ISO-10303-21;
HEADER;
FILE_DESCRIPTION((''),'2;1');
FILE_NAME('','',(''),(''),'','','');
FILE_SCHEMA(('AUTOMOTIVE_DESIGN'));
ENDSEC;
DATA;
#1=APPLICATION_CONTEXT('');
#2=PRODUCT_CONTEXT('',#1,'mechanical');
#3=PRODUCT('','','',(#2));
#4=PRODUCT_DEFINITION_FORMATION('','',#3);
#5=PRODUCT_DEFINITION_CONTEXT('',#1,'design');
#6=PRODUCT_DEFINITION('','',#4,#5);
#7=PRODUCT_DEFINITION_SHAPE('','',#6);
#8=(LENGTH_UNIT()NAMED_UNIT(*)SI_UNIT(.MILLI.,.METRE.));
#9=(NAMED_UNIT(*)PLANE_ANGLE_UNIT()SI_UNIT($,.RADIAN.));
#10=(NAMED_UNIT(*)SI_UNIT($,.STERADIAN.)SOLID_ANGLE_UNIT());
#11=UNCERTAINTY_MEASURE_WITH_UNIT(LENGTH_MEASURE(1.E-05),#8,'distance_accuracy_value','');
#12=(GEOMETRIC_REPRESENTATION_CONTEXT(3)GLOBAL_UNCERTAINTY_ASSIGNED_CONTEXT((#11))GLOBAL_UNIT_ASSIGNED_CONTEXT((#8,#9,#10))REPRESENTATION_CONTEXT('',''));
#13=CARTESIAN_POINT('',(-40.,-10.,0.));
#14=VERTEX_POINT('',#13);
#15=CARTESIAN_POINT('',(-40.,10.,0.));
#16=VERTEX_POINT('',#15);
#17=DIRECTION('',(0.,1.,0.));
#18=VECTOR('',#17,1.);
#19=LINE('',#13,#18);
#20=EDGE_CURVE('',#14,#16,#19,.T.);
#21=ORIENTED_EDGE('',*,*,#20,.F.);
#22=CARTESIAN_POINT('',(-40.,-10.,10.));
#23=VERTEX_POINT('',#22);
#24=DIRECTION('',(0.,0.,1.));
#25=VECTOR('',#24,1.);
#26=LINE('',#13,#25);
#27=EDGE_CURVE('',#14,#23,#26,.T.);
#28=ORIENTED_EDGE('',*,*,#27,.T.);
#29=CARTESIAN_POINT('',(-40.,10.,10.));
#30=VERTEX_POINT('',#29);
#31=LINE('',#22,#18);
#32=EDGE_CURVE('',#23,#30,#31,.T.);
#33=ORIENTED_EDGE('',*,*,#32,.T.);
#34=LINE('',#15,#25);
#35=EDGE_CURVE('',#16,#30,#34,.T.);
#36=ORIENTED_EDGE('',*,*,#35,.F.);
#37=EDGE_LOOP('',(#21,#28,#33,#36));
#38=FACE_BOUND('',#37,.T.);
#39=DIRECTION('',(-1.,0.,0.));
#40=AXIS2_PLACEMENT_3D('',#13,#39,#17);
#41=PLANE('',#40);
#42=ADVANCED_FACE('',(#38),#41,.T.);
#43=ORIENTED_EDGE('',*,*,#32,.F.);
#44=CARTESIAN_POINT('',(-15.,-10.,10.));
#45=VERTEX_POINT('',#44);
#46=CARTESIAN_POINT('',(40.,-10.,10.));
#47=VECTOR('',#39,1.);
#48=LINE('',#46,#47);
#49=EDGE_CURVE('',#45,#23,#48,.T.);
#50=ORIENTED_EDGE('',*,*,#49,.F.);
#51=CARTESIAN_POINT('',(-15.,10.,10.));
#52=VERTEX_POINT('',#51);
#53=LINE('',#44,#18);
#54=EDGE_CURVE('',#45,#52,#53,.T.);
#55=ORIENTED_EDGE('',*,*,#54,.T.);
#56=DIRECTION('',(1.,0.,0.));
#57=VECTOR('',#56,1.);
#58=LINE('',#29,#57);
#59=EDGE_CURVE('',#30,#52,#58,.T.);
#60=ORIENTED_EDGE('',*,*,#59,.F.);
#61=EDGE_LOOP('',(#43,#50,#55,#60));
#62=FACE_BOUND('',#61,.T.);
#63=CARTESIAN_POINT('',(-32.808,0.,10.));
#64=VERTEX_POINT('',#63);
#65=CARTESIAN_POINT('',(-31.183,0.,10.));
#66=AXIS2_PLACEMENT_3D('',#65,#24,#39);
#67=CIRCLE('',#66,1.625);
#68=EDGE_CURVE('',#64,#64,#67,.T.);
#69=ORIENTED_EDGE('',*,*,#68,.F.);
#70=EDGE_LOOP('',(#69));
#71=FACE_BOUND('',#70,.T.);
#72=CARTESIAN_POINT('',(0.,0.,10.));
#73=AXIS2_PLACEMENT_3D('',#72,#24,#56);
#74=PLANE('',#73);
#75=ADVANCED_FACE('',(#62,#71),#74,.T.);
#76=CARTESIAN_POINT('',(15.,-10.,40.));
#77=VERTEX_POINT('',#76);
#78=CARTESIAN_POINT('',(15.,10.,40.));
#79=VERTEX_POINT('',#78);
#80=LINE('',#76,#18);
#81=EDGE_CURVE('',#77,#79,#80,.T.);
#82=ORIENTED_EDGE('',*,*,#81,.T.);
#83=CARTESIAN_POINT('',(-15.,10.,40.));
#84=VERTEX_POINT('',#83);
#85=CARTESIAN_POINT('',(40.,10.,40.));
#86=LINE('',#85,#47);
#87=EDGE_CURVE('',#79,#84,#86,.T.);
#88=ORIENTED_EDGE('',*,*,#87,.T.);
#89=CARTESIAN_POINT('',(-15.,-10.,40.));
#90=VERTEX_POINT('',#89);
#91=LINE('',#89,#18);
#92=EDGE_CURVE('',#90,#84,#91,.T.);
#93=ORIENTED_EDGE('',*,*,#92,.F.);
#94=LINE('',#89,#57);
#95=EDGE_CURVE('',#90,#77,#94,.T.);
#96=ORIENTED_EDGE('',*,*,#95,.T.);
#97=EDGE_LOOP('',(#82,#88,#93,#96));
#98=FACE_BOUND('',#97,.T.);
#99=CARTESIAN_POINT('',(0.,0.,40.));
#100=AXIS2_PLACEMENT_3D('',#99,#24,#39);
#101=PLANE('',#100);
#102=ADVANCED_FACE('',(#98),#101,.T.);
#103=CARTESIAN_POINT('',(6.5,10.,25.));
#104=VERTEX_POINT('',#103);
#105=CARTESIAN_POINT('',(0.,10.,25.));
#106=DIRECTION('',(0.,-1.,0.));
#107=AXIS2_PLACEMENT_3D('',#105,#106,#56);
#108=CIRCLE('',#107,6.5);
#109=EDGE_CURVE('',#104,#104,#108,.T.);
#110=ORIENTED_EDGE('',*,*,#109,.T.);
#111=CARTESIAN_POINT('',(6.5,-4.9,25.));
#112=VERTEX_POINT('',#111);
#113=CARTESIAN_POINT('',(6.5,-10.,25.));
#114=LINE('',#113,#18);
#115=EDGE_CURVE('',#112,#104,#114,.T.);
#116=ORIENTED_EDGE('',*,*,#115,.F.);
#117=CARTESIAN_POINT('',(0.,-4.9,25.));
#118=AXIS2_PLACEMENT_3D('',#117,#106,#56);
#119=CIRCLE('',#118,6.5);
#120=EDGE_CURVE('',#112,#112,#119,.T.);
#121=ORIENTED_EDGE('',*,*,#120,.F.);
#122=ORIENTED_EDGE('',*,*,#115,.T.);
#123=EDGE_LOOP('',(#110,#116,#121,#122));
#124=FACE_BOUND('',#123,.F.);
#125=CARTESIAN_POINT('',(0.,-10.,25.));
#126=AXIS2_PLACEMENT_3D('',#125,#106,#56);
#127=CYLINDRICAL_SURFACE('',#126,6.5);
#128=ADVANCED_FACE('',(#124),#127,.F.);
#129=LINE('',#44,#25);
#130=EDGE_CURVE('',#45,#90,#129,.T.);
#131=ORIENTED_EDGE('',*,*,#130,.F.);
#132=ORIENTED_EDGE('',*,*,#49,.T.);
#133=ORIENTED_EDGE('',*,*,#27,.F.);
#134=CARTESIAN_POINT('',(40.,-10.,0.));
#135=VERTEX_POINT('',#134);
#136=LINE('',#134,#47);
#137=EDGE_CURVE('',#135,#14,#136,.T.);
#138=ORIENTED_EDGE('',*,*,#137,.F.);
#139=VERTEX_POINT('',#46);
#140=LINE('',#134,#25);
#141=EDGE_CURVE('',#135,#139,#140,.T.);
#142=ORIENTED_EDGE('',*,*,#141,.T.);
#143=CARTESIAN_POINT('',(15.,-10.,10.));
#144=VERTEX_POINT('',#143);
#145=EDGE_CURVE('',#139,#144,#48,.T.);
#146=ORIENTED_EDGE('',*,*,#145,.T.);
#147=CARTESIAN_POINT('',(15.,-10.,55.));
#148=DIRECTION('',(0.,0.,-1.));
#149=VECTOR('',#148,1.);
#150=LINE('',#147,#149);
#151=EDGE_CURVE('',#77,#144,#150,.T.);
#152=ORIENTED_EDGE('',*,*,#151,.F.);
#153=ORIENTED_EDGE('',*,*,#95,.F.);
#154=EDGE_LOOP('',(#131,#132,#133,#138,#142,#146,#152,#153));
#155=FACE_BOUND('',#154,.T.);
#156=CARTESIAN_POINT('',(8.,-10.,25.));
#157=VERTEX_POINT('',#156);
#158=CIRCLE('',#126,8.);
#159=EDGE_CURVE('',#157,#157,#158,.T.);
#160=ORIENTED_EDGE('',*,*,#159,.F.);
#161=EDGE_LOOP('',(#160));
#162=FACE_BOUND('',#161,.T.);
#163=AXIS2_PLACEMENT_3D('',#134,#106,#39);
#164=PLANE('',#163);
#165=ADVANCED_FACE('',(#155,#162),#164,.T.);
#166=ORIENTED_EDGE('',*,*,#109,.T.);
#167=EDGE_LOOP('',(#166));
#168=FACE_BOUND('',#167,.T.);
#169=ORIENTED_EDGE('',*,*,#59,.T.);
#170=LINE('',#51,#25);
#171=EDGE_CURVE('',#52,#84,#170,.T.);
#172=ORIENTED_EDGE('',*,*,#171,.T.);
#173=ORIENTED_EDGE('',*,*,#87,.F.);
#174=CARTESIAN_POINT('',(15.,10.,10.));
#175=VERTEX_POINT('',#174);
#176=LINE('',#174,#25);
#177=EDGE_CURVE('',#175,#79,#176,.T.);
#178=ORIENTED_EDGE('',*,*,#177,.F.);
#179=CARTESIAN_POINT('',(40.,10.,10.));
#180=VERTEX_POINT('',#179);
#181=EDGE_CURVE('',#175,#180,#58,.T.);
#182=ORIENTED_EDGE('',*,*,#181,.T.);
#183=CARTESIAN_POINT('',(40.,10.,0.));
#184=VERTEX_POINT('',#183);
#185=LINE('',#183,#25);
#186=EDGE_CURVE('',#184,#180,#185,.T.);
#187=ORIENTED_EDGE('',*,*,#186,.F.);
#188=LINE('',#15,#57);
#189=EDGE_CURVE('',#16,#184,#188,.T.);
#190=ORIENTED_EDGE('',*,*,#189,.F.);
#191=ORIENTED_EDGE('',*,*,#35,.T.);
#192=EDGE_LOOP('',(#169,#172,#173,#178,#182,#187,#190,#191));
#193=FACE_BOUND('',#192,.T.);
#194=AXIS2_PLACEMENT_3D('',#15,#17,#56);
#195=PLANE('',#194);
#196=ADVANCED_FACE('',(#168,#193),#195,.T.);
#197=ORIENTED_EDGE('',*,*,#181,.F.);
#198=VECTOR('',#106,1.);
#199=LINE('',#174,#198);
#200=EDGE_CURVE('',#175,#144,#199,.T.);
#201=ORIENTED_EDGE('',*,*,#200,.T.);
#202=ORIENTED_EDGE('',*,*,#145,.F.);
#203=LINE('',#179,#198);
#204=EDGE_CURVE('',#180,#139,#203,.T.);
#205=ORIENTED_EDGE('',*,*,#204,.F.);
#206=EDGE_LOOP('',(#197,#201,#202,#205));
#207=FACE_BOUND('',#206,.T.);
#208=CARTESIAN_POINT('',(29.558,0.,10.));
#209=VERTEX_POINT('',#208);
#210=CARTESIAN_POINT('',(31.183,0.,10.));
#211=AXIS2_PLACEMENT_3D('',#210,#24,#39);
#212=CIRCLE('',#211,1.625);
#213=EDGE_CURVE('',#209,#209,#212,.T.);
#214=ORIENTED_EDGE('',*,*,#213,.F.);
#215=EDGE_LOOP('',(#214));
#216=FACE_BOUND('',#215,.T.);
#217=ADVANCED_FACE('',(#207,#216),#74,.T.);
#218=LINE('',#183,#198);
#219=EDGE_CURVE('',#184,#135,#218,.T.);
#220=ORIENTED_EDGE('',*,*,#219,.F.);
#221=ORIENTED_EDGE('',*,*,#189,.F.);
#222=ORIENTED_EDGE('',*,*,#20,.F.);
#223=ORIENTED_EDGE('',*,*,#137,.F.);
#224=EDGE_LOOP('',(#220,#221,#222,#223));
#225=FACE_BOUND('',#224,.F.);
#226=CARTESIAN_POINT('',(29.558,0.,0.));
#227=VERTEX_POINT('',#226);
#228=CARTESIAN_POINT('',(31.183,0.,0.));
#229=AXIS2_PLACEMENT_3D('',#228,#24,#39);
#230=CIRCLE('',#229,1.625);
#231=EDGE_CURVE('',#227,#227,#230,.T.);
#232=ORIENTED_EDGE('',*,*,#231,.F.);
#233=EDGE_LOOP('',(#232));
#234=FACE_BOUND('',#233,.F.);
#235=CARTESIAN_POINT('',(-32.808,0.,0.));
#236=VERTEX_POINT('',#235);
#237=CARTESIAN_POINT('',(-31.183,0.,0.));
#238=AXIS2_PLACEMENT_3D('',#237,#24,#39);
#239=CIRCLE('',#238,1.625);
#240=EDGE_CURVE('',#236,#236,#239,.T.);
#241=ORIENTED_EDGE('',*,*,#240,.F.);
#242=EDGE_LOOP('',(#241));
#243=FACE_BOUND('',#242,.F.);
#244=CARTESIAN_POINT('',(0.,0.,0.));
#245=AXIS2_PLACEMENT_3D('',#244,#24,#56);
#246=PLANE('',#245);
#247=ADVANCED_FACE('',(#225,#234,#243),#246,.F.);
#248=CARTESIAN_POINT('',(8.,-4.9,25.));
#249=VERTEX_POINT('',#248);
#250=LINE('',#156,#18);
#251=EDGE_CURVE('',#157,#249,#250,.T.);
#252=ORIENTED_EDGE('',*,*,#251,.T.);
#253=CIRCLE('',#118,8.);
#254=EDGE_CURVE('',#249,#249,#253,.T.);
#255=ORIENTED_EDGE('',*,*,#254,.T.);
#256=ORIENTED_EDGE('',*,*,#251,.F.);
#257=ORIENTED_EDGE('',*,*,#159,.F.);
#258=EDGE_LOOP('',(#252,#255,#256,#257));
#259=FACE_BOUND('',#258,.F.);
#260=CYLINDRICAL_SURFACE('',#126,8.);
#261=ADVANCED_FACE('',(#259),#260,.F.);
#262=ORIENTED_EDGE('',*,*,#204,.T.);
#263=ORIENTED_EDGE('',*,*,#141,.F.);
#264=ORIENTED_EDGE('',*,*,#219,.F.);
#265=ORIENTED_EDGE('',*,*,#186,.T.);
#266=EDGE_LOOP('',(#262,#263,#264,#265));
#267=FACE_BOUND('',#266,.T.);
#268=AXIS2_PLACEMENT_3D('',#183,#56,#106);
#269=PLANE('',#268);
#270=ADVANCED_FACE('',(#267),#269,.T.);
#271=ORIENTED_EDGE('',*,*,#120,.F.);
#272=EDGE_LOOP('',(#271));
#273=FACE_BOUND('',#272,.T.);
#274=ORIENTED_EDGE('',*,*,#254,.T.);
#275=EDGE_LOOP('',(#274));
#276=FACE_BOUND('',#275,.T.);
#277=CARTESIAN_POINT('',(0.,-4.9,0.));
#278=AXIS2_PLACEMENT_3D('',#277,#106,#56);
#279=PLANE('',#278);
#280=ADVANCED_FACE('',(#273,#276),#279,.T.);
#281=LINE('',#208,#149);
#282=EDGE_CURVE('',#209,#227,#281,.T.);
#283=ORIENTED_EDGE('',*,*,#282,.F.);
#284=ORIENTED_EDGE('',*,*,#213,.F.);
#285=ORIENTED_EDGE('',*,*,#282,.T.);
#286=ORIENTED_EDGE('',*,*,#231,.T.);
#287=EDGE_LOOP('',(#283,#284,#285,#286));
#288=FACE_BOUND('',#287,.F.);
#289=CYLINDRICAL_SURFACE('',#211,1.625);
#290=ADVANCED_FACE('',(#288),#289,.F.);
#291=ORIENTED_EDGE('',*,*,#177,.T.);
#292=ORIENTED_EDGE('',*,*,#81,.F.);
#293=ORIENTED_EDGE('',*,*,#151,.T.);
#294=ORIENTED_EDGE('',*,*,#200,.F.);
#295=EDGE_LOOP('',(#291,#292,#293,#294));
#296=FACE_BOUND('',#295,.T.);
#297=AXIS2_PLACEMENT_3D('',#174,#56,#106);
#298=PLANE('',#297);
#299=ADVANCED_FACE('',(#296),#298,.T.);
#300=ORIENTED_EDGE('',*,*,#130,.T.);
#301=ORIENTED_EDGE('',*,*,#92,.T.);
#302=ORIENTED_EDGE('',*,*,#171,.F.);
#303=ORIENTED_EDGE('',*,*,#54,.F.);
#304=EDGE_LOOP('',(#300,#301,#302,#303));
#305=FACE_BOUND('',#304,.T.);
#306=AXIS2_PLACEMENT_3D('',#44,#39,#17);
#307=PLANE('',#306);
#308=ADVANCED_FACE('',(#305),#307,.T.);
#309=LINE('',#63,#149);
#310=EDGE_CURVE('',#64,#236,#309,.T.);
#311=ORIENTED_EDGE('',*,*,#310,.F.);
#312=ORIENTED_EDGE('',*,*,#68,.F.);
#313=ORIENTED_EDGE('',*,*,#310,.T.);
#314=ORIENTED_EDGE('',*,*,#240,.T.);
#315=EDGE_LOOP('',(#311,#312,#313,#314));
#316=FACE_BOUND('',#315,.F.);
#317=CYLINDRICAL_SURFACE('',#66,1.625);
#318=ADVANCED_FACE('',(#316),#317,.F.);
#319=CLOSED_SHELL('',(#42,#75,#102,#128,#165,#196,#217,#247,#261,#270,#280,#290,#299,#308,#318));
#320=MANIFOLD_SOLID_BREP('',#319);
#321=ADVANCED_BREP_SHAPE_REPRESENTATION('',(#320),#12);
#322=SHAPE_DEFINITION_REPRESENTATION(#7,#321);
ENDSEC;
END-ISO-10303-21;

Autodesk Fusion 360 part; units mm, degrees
sketch "Esquisse1" plane through (0, 0, 0) normal (0, 0, 1) x (1, 0, 0)
  line L0 (-40, 10) -> (40, 10)
  line L1 (40, 10) -> (40, -10)
  line L2 (40, -10) -> (-40, -10)
  line L3 (-40, -10) -> (-40, 10)
extrude "Extrusion1" add sketch "Esquisse1" along normal blind 10
sketch "Esquisse2" plane through (0, 0, 10) normal (0, 0, 1) x (-1, 0, 0)
  line L0 (40, 10) -> (-40, 10)
  line L1 (-40, 10) -> (-40, -10)
  line L2 (-40, -10) -> (40, -10)
  line L3 (40, -10) -> (40, 10)
  line L4 (15, -10) -> (-15, -10)
  line L5 (-15, -10) -> (-15, 10)
  line L6 (-15, 10) -> (15, 10)
  line L7 (15, 10) -> (15, -10)
  circle A0 centre (-31.183, 0) radius 1.625
  circle A1 centre (31.183, 0) radius 1.625
  dimension "d7" = 3.25
  dimension "d8" = 3.25
extrude "Extrusion2" cut sketch "Esquisse2" against normal blind 10 contours A1
extrude "Extrusion3" cut sketch "Esquisse2" against normal blind 10 contours A0
extrude "Extrusion4" add sketch "Esquisse2" along normal blind 30 contours L0 L2 L4 L5 L6 L7
sketch "Esquisse3" plane through (0, -10, 0) normal (0, -1, 0) x (1, 0, 0)
  line L0 (-40, 0) -> (40, 0)
  line L1 (40, 0) -> (40, 10)
  line L2 (40, 10) -> (15, 10)
  line L3 (15, 10) -> (15, 40)
  line L4 (15, 40) -> (-15, 40)
  line L5 (-15, 40) -> (-15, 10)
  line L6 (-15, 10) -> (-40, 10)
  line L7 (-40, 10) -> (-40, 0)
  circle A0 centre (0, 25) radius 6.5
  circle A1 centre (0, 25) radius 8
  dimension "d15" = 13
  dimension "d16" = 16
extrude "Extrusion5" cut sketch "Esquisse3" against normal blind 20 contours A0
extrude "Extrusion6" cut sketch "Esquisse3" against normal blind 5.1 contours A1
sketch "Esquisse4" plane through (0, 0, 40) normal (0, 0, 1) x (-1, 0, 0)
  line L0 (15, 10) -> (-15, 10)
  line L1 (-15, 10) -> (-15, -10)
  line L2 (-15, -10) -> (15, -10)
  line L3 (15, -10) -> (15, 10)
  line L4 (15, 10) -> (10, 10)
  line L5 (10, 10) -> (10, -5)
  line L6 (10, -5) -> (15, -5)
  line L7 (15, -5) -> (15, 10)
  line L8 (-15, 10) -> (-10, 10)
  line L9 (-10, 10) -> (-10, -5)
  line L10 (-10, -5) -> (-15, -5)
  line L11 (-15, -5) -> (-15, 10)
extrude "Extrusion7" add sketch "Esquisse4" along normal blind 10 contours L0 L3 L4 L5 L6 L7 | L0 L1 L8 L9 L10 L11
sketch "Esquisse5" plane through (0, 0, 50) normal (0, 0, 1) x (-1, 0, 0)
  line L0 (15, -5) -> (15, 10)
  line L1 (15, 10) -> (10, 10)
  line L2 (10, 10) -> (10, -5)
  line L3 (10, -5) -> (15, -5)
  line L4 (15, -5) -> (-15, -5)
  line L5 (-15, -5) -> (-15, 10)
  line L6 (-15, 10) -> (15, 10)
  line L7 (15, 10) -> (15, -5)
extrude "Extrusion8" add sketch "Esquisse5" along normal blind 5
extrude "Extrusion9" cut 1 faces at (-3.3333, 0, 55) along direction (0, 0, -1) blind 5
extrude "Extrusion10" cut 2 faces at (-13.3333, 0, 50) (13.3333, -5, 50) along direction (0, 0, -1) blind 10
